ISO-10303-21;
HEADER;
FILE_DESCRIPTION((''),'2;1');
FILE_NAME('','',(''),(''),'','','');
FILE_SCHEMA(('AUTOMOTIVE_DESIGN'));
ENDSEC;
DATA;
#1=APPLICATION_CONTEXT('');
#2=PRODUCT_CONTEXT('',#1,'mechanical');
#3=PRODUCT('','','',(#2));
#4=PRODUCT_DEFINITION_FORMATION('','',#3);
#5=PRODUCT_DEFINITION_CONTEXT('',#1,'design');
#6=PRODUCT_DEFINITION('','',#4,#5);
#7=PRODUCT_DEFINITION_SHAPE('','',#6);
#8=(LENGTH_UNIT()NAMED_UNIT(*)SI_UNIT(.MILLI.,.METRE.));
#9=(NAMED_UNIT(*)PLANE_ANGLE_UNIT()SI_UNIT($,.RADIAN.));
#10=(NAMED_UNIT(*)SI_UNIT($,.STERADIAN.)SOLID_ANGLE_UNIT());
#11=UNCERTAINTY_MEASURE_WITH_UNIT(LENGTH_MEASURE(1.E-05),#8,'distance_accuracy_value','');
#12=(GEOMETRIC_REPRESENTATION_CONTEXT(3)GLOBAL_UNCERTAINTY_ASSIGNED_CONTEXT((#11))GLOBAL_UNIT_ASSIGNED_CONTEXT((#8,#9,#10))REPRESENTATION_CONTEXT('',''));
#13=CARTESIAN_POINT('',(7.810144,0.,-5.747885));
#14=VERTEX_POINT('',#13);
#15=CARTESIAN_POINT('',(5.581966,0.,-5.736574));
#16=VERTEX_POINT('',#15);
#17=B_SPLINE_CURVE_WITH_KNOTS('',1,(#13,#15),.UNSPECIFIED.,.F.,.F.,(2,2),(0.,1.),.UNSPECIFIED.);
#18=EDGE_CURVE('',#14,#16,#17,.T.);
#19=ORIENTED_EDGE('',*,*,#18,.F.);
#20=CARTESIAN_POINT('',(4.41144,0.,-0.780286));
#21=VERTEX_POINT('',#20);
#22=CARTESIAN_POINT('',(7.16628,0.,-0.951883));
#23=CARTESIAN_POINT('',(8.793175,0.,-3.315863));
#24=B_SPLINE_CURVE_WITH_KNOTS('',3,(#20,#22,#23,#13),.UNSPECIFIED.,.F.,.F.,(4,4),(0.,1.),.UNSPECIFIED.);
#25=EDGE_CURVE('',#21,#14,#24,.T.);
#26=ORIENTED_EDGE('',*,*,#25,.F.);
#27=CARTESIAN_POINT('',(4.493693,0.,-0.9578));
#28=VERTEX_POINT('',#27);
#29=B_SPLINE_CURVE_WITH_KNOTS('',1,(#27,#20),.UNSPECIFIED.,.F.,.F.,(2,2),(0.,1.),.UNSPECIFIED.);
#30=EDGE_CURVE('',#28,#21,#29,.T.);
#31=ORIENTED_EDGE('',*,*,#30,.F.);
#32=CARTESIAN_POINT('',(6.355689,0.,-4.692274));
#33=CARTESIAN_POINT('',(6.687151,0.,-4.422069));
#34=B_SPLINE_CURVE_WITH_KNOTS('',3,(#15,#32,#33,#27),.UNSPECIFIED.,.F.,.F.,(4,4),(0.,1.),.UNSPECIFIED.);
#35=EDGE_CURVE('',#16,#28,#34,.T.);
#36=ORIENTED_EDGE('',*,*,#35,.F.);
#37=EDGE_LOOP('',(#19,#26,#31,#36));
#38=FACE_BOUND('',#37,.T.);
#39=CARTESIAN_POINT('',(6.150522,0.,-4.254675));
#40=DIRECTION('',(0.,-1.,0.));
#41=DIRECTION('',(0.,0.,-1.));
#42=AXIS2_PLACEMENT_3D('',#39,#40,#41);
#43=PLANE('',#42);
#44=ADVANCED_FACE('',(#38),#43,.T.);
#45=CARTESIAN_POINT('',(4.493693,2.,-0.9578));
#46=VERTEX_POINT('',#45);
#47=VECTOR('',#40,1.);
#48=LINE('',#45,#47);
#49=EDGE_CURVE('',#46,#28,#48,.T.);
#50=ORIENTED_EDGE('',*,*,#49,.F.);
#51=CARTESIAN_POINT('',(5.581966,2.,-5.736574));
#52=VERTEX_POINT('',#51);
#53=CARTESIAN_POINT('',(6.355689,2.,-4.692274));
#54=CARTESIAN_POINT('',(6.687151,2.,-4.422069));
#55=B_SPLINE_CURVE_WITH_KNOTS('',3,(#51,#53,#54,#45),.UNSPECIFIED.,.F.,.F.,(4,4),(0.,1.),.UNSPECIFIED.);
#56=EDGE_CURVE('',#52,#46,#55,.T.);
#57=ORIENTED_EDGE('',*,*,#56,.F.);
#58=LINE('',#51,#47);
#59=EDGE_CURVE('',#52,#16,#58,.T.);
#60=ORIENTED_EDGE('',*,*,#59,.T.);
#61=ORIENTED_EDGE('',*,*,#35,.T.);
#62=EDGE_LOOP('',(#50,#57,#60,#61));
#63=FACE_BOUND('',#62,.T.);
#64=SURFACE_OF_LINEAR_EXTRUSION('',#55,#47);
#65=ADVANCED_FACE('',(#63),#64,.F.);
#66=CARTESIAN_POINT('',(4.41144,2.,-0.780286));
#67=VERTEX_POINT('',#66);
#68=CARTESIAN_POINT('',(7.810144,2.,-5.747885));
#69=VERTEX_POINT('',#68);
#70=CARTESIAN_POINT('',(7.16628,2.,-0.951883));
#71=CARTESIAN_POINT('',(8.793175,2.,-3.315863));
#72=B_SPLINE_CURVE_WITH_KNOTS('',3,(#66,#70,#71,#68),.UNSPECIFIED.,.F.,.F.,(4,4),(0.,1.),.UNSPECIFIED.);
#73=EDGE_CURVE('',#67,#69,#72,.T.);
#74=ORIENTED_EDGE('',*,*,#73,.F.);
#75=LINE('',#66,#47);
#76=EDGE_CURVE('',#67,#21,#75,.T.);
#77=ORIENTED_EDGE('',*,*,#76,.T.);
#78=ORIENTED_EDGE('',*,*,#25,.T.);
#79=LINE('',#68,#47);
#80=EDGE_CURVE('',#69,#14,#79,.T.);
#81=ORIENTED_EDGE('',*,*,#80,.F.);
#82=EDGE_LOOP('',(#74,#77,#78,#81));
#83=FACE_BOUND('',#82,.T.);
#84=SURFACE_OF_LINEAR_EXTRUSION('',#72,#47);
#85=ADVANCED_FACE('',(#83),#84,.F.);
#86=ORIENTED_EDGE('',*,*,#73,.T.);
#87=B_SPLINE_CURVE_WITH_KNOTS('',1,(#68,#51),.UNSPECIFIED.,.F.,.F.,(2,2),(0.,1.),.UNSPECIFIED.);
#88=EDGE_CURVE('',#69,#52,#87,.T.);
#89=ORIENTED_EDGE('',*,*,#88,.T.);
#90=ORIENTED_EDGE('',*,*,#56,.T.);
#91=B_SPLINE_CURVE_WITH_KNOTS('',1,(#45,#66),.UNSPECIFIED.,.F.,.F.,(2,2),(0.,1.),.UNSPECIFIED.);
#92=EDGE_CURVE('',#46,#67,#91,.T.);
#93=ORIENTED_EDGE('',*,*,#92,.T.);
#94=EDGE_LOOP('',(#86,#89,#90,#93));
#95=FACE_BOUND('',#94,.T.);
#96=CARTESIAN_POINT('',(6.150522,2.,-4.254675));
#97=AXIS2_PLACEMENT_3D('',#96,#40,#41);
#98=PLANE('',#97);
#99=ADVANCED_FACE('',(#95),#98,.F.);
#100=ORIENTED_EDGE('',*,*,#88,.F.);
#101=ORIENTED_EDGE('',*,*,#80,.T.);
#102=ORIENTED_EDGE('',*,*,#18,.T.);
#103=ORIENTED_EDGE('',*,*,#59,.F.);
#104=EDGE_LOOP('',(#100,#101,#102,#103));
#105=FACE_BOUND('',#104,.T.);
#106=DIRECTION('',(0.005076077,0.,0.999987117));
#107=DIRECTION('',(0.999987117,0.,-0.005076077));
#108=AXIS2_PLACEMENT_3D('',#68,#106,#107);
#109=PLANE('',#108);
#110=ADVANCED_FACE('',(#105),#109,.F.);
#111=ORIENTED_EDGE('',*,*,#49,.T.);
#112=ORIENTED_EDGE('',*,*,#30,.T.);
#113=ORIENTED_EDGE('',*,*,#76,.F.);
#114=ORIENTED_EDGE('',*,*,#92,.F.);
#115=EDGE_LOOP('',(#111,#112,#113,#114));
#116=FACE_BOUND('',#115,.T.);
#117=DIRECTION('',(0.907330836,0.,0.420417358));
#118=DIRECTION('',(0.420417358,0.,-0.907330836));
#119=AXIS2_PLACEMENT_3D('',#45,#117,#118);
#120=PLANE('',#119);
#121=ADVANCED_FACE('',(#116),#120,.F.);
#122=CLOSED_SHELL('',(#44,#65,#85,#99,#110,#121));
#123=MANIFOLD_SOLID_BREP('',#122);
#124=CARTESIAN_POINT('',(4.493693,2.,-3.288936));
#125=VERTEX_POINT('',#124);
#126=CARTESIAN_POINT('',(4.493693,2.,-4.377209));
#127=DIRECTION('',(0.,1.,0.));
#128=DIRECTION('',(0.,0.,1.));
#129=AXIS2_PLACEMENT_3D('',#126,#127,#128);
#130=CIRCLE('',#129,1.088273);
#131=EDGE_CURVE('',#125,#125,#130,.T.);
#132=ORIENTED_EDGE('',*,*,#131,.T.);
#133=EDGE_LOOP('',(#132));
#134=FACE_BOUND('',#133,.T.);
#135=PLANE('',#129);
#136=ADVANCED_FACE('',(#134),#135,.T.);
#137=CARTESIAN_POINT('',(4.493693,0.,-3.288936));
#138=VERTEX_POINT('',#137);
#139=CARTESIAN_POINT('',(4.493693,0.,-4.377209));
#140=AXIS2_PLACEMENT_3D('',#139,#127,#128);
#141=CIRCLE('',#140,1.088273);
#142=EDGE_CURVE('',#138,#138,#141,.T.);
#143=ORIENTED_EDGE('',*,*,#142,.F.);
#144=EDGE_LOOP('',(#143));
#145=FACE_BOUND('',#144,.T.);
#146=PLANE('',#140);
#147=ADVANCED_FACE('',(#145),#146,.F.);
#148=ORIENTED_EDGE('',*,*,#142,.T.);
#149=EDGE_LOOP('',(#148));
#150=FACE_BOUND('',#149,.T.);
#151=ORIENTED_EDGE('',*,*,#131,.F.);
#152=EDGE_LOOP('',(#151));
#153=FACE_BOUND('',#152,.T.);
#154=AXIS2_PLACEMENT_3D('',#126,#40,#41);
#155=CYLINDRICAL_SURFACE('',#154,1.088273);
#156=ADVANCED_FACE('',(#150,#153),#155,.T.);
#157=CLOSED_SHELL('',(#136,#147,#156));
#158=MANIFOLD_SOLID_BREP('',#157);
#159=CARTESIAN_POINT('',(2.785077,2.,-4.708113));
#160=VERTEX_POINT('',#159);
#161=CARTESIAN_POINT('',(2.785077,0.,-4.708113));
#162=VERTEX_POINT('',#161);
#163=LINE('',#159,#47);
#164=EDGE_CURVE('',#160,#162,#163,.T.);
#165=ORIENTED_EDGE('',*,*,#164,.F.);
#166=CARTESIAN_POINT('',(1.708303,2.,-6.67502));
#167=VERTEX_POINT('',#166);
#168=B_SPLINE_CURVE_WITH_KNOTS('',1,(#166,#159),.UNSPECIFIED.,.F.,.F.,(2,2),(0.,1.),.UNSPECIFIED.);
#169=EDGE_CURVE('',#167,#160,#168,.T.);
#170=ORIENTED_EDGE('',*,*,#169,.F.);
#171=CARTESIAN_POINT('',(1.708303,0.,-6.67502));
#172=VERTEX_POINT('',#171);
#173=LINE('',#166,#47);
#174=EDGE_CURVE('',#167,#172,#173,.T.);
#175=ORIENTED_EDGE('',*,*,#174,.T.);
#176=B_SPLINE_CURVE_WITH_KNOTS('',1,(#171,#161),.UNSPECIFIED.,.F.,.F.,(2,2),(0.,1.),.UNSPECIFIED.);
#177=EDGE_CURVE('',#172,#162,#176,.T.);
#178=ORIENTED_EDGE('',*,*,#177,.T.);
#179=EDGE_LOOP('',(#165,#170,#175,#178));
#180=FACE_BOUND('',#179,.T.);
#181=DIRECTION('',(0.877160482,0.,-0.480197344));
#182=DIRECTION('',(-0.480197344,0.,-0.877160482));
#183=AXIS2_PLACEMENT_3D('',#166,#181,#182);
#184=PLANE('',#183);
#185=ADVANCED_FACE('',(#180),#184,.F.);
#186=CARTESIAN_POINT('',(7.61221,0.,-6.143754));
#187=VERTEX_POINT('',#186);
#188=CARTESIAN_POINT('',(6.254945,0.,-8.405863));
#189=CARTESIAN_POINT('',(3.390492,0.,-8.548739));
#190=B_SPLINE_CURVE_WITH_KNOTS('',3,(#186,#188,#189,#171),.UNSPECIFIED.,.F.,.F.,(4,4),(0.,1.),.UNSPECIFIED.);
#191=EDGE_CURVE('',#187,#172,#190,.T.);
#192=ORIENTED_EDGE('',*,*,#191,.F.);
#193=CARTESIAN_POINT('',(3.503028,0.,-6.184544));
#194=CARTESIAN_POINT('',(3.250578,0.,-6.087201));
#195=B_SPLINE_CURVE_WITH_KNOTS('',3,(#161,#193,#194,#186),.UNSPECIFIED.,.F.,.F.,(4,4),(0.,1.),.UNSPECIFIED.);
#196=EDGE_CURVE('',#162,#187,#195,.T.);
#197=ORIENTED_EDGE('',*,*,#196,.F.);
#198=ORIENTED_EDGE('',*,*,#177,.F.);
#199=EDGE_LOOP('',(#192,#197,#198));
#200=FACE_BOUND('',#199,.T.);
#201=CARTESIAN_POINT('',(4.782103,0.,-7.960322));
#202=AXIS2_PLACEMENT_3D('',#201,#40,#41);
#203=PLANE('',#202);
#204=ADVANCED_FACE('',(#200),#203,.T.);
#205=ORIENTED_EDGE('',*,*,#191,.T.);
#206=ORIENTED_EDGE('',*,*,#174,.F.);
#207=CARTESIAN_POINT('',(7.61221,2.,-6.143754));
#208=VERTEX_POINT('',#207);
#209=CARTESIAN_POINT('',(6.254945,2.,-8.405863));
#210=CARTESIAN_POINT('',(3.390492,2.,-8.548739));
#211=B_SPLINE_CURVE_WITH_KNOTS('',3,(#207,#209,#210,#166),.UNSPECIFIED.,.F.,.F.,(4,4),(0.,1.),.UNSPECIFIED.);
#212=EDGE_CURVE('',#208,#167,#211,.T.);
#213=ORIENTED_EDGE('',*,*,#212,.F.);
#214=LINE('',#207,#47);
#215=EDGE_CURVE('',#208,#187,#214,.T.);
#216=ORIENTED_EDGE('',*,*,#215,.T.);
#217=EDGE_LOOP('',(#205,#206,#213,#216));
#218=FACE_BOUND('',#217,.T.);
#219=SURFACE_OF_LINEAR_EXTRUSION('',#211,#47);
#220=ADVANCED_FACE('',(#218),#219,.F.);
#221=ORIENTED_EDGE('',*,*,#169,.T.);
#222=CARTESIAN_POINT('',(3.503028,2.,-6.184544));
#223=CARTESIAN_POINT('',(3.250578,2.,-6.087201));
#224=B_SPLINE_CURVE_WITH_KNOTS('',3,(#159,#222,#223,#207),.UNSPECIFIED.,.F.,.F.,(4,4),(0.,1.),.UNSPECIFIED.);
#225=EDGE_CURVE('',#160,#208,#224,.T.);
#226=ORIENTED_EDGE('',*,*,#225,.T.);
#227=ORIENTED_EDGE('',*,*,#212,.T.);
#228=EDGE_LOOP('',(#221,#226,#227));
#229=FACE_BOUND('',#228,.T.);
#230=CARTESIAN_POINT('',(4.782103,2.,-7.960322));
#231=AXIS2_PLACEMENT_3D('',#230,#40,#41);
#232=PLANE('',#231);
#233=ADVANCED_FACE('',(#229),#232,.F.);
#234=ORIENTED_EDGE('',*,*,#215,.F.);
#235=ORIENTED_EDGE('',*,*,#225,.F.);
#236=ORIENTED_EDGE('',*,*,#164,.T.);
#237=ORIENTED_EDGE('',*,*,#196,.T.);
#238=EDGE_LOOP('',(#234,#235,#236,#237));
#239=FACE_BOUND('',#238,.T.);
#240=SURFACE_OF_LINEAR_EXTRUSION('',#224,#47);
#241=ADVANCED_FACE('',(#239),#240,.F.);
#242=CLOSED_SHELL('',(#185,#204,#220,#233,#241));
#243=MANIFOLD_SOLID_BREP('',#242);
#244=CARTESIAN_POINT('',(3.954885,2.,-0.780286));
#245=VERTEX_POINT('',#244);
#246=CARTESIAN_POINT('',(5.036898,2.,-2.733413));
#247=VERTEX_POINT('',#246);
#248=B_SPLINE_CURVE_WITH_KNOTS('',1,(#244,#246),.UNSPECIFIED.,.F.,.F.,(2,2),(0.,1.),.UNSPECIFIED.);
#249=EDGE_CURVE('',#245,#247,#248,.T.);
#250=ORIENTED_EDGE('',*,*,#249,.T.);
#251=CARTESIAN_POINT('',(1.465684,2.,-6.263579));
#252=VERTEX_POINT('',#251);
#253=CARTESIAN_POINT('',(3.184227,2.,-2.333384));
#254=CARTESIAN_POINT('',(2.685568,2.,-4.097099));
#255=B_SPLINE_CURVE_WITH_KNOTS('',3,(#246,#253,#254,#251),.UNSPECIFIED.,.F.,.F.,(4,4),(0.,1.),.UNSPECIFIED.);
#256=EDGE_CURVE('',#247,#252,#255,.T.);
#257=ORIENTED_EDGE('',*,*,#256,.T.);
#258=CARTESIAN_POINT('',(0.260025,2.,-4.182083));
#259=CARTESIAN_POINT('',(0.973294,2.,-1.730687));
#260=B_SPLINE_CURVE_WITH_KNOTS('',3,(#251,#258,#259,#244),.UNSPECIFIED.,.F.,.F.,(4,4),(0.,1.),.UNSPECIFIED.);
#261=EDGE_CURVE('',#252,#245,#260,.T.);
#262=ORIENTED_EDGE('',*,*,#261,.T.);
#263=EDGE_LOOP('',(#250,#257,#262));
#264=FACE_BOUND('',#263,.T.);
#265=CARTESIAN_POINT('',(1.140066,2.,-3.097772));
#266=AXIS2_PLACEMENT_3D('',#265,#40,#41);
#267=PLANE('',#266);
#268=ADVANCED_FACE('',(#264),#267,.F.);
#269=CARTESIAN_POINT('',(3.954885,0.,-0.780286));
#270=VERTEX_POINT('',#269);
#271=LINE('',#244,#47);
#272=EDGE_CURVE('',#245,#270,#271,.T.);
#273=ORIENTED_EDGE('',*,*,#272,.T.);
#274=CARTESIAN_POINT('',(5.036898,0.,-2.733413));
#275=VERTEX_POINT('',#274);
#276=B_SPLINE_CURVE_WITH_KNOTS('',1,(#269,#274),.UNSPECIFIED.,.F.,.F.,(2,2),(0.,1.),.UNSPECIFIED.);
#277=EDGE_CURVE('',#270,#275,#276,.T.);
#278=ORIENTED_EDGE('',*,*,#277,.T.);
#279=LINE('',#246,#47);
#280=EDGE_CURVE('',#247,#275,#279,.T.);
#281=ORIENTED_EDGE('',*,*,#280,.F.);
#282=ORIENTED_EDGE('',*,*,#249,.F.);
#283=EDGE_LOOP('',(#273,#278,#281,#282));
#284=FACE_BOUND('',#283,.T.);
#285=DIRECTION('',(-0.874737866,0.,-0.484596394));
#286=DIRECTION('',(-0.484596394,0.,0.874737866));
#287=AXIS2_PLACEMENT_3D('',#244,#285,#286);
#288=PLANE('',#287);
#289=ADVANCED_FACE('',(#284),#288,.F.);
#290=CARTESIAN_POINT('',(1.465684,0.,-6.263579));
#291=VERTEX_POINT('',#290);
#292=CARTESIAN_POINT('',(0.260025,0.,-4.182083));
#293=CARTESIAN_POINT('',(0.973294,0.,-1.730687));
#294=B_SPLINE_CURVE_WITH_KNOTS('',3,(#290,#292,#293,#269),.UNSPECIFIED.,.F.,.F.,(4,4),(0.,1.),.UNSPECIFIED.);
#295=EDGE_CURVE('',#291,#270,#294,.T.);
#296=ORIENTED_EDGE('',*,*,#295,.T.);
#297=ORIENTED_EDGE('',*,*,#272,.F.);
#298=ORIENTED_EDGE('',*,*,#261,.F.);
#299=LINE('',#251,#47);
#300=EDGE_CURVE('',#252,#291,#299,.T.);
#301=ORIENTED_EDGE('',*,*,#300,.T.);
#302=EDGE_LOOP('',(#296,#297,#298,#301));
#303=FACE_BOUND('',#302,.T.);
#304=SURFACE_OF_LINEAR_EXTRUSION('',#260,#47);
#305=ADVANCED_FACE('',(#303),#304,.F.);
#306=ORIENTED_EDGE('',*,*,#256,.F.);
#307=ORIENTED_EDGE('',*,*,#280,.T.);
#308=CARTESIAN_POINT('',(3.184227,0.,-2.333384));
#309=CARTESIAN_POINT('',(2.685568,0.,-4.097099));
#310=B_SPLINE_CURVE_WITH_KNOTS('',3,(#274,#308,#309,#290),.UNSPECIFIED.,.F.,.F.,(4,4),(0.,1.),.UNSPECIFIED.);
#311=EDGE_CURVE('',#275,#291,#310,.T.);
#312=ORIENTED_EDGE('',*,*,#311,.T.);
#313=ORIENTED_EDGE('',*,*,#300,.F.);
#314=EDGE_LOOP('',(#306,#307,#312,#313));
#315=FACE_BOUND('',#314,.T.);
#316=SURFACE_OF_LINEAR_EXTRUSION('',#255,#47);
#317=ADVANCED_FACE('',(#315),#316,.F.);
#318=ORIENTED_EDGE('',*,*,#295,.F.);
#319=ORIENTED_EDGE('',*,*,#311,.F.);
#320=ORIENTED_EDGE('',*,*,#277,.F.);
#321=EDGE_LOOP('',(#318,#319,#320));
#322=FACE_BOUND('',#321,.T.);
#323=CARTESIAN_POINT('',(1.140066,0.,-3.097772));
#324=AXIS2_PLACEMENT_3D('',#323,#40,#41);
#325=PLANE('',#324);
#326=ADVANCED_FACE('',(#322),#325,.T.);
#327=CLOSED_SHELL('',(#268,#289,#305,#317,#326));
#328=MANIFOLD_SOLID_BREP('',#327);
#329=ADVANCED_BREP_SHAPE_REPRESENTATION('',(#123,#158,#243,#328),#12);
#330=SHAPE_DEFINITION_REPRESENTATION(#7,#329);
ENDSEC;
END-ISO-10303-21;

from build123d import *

# Parameters (mm, degrees)
SKETCH1_R             = 1.088272776
BOSS_EXTRUDE1_DEPTH   = 2
BOSS_EXTRUDE1_2_DEPTH = 2
BOSS_EXTRUDE1_3_DEPTH = 2
BOSS_EXTRUDE1_4_DEPTH = 2


with BuildPart() as part:
    # Sketch1 → Boss-Extrude1 (new body)
    with BuildSketch(Plane(origin=(0, 0, 0), x_dir=(1, 0, 0), z_dir=(0, 1, 0))):
        with Locations((4.493692826, 4.377208968)):
            Circle(SKETCH1_R)
    extrude(amount=BOSS_EXTRUDE1_DEPTH)


with BuildPart() as body_2:
    # Sketch1 → Boss-Extrude1 2 (new body)
    with BuildSketch(Plane(origin=(0, 0, 0), x_dir=(1, 0, 0), z_dir=(0, 1, 0))):
        with BuildLine():
            add(Edge.make_bspline(
                [(1.708302736, 6.675020322), (2.7850769, 4.708112849)],
                knots=[0, 0, 1, 1], degree=1))
            add(Edge.make_bspline(
                [(2.7850769, 4.708112849), (3.503027953, 6.18454421), (3.250577965, 6.087201429), (7.612209781, 6.143754191)],
                knots=[0, 0, 0, 0, 1, 1, 1, 1], degree=3))
            add(Edge.make_bspline(
                [(7.612209781, 6.143754191), (6.254944774, 8.405862536), (3.390492052, 8.548738808), (1.708302736, 6.675020322)],
                knots=[0, 0, 0, 0, 1, 1, 1, 1], degree=3))
        make_face()
    extrude(amount=BOSS_EXTRUDE1_2_DEPTH)


with BuildPart() as body_3:
    # Sketch1 → Boss-Extrude1 3 (new body)
    with BuildSketch(Plane(origin=(0, 0, 0), x_dir=(1, 0, 0), z_dir=(0, 1, 0))):
        with BuildLine():
            add(Edge.make_bspline(
                [(5.581965603, 5.736574301), (7.81014445, 5.747884853)],
                knots=[0, 0, 1, 1], degree=1))
            add(Edge.make_bspline(
                [(7.81014445, 5.747884853), (8.793174762, 3.315863121), (7.166280408, 0.951883368), (4.411440439, 0.780285592)],
                knots=[0, 0, 0, 0, 1, 1, 1, 1], degree=3))
            add(Edge.make_bspline(
                [(4.493692826, 0.957799974), (4.411440439, 0.780285592)],
                knots=[0, 0, 1, 1], degree=1))
            add(Edge.make_bspline(
                [(5.581965603, 5.736574301), (6.355689478, 4.69227355), (6.68715092, 4.422069049), (4.493692826, 0.957799974)],
                knots=[0, 0, 0, 0, 1, 1, 1, 1], degree=3))
        make_face()
    extrude(amount=BOSS_EXTRUDE1_3_DEPTH)


with BuildPart() as body_4:
    # Sketch1 → Boss-Extrude1 4 (new body)
    with BuildSketch(Plane(origin=(0, 0, 0), x_dir=(1, 0, 0), z_dir=(0, 1, 0))):
        with BuildLine():
            add(Edge.make_bspline(
                [(1.465683791, 6.263578757), (2.685567613, 4.097099076), (3.184226619, 2.333384223), (5.036898253, 2.733412737)],
                knots=[0, 0, 0, 0, 1, 1, 1, 1], degree=3))
            add(Edge.make_bspline(
                [(3.954884534, 0.780285592), (5.036898253, 2.733412737)],
                knots=[0, 0, 1, 1], degree=1))
            add(Edge.make_bspline(
                [(1.465683791, 6.263578757), (0.260024603, 4.182083143), (0.973294196, 1.73068737), (3.954884534, 0.780285592)],
                knots=[0, 0, 0, 0, 1, 1, 1, 1], degree=3))
        make_face()
    extrude(amount=BOSS_EXTRUDE1_4_DEPTH)


solid = Compound([part.part, body_2.part, body_3.part, body_4.part])
